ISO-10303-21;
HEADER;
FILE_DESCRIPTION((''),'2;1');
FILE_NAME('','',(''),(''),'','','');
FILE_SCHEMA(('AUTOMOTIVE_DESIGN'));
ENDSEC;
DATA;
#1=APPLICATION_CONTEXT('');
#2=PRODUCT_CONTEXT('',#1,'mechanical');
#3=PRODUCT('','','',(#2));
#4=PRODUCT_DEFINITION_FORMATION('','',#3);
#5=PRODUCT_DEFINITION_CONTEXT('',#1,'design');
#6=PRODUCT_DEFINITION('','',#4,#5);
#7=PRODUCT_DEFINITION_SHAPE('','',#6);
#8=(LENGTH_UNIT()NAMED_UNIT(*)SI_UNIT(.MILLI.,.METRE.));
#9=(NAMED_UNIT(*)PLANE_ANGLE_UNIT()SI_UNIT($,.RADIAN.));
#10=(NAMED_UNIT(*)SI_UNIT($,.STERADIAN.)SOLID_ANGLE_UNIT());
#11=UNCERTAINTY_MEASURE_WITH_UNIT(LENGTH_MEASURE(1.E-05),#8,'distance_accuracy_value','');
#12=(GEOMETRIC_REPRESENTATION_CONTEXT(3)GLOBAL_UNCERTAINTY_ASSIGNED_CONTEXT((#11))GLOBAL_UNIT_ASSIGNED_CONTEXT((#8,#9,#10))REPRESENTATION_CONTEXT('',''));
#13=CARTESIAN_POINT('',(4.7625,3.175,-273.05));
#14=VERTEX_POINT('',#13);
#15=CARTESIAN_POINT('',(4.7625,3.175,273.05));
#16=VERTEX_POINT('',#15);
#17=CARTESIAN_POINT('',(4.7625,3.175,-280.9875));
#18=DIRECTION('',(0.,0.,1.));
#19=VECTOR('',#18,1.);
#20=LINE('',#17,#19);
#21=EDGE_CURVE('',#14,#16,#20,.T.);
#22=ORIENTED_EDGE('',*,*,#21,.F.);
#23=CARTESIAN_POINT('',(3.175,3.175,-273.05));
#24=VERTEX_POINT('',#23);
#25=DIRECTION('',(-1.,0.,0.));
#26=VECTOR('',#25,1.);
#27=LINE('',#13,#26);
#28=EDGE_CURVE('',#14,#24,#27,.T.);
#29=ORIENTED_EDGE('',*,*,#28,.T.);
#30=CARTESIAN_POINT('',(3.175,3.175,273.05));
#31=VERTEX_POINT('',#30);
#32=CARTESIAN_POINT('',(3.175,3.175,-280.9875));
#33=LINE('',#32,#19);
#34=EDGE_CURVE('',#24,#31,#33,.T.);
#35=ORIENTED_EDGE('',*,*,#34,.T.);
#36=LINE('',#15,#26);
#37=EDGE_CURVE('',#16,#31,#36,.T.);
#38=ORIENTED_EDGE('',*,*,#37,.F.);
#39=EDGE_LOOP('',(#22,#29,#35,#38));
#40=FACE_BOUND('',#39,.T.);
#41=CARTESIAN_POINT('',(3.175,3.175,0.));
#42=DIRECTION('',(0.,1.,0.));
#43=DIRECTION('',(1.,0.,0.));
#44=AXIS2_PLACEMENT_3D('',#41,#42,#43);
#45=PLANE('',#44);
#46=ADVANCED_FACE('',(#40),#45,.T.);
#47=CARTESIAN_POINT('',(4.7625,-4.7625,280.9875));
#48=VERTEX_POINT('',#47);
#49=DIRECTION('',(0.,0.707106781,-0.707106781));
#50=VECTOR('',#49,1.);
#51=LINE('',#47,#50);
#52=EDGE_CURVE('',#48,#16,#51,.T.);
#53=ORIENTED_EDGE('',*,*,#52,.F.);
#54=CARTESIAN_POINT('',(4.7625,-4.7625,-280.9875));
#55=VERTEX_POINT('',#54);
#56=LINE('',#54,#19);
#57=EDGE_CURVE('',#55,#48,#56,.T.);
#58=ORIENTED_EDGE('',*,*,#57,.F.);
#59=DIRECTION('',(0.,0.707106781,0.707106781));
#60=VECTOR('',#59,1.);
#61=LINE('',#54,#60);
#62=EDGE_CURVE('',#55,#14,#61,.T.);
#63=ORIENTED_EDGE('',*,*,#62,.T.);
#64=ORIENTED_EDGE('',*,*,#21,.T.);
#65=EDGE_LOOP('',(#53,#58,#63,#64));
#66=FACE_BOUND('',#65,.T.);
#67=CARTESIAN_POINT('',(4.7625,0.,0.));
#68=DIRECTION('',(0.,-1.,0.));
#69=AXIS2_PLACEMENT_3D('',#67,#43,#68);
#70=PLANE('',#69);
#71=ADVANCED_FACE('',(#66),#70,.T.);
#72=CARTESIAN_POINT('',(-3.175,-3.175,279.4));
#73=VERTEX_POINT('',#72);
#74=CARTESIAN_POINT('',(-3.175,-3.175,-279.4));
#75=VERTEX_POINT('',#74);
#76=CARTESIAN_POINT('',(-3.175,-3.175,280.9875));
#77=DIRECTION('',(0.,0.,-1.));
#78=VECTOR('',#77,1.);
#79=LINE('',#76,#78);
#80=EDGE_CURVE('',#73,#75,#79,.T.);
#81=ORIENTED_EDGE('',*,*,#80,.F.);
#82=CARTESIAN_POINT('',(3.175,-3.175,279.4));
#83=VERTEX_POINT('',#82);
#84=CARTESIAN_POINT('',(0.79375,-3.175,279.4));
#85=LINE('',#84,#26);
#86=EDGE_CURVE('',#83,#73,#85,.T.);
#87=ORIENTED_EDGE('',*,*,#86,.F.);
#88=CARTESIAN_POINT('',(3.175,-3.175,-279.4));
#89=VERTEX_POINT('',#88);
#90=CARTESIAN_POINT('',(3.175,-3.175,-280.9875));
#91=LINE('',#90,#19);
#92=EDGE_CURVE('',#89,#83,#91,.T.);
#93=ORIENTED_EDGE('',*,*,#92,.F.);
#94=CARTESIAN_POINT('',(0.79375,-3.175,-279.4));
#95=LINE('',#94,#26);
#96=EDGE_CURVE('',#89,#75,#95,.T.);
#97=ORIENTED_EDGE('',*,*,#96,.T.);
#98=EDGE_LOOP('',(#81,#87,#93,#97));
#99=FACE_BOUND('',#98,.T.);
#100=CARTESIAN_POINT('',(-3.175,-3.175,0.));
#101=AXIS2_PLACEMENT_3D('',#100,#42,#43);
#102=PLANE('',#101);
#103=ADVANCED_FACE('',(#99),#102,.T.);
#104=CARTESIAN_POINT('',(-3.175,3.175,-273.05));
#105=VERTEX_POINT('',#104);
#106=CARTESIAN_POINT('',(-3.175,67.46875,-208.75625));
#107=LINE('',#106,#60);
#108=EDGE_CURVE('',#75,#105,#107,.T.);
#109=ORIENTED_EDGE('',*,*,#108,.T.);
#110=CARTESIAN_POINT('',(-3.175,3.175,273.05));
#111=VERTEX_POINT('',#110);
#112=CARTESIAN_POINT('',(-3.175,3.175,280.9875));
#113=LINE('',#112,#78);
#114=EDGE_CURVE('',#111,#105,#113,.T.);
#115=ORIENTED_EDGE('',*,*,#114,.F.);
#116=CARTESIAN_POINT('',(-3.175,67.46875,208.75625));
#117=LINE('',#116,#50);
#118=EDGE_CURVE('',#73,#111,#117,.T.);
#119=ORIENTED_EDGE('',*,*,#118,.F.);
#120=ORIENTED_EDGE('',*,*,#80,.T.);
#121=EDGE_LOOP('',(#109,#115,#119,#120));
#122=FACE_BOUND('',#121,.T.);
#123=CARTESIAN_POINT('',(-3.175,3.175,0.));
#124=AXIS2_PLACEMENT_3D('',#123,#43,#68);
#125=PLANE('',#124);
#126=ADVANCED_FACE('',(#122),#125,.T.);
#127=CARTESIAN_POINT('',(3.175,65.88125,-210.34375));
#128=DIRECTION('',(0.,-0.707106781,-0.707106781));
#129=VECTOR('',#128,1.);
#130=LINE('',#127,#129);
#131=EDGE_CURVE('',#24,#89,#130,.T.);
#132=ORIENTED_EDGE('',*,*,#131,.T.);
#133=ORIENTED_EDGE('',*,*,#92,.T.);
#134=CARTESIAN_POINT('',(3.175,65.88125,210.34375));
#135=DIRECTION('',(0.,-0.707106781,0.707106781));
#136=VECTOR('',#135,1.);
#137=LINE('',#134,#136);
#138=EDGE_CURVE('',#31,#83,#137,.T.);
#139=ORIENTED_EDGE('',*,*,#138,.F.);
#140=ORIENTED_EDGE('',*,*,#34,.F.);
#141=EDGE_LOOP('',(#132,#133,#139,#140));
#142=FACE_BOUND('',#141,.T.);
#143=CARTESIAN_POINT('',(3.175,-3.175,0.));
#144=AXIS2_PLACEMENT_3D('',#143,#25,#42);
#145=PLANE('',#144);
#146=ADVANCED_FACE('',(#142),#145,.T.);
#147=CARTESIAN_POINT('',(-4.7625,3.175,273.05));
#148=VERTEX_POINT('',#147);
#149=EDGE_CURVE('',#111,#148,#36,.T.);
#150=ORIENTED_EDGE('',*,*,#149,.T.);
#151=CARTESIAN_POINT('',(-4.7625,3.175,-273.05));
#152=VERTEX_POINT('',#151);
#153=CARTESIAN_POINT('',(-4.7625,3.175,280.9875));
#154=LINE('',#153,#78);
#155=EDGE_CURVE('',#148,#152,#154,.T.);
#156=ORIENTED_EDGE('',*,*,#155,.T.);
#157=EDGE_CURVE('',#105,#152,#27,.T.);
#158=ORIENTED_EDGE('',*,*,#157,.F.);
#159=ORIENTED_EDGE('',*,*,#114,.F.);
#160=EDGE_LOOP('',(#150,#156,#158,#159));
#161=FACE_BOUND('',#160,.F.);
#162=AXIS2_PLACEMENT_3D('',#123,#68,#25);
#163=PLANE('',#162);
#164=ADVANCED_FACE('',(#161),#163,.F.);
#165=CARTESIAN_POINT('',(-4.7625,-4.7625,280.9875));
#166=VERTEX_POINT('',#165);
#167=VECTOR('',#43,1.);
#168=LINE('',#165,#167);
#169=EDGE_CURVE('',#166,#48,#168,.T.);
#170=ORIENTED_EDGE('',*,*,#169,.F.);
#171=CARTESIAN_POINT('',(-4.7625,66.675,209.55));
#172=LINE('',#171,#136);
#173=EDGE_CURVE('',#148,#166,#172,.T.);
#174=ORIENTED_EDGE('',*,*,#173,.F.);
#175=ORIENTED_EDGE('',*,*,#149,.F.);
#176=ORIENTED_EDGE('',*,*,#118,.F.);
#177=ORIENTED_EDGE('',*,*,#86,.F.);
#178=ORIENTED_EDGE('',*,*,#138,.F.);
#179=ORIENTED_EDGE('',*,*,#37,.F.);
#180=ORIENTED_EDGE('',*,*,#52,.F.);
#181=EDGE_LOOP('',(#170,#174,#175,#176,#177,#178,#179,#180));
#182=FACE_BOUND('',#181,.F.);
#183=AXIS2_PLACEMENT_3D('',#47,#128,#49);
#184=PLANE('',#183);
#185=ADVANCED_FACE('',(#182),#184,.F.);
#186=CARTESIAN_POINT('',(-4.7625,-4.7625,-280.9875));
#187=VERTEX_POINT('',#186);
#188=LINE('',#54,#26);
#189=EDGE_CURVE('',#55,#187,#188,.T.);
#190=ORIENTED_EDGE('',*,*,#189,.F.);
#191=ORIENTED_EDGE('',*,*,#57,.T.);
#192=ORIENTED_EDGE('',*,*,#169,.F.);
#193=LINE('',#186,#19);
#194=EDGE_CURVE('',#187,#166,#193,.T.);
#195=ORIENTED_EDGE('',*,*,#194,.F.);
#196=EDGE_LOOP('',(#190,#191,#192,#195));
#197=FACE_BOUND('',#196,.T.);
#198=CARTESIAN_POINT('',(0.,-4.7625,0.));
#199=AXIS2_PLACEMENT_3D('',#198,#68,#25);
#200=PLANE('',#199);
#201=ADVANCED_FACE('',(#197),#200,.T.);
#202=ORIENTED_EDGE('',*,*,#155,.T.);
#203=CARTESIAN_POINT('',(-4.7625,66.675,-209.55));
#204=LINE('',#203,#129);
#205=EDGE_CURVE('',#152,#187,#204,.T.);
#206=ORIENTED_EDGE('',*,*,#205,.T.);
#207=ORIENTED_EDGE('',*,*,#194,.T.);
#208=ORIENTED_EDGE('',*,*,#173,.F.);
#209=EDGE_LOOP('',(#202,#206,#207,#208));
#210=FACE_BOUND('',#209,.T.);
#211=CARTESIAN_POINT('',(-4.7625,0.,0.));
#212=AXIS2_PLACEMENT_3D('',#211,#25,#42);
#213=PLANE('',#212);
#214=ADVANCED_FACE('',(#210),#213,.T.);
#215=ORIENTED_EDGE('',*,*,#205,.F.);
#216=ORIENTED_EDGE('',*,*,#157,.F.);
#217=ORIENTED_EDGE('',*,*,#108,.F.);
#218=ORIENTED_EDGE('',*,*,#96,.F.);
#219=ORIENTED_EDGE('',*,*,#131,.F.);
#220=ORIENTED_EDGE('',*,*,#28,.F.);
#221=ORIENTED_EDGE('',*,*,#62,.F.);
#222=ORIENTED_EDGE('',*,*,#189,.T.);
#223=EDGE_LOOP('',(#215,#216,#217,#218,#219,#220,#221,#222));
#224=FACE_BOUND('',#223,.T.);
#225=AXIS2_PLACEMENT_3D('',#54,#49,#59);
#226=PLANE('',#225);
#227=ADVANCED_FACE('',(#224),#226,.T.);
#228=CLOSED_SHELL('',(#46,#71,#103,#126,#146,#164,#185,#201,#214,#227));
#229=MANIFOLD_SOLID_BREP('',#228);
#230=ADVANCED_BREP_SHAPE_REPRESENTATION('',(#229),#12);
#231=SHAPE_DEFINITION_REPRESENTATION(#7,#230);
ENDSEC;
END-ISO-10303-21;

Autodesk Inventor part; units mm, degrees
ref_plane "YZ Plane" through (0, 0, 0) normal (1, 0, 0) x (0, 1, 0)
ref_plane "XZ Plane" through (0, 0, 0) normal (0, 1, 0) x (-1, 0, 0)
ref_plane "XY Plane" through (0, 0, 0) normal (0, 0, 1) x (1, 0, 0)
sketch "Sketch1" plane through (0, 0, 0) normal (0, 0, 1) x (1, 0, 0)
  line L0 (-6.6675, 0) -> (6.6675, 0) projected
  line L1 (0, -6.35) -> (0, 4.7625) projected
  line L2 (-3.175, 3.175) -> (-3.175, -3.175)
  line L3 (-3.175, -3.175) -> (3.175, -3.175)
  line L4 (3.175, -3.175) -> (3.175, 3.175)
  line L5 (4.7625, 3.175) -> (4.7625, -4.7625)
  line L6 (4.7625, -4.7625) -> (-4.7625, -4.7625)
  line L7 (-4.7625, -4.7625) -> (-4.7625, 3.175)
  line L8 (-3.175, 3.175) -> (-4.7625, 3.175)
  line L9 (3.175, 3.175) -> (4.7625, 3.175)
  point P0 (0, 0)
  point P1 (0, -3.175)
  point P2 (-3.175, 0)
  dimension "d0" = 1.5875
  dimension "d1" = 6.35
  dimension "d2" = 6.35
extrude "Extrusion1" add sketch "Sketch1" along normal mid plane 561.975 contours L7 L8 L2 L0 | L0 L2 L3 L1 L6 L7 | L1 L3 L4 L0 L5 L6 | L4 L9 L5 L0
sketch "Sketch2" plane through (4.7625, -4.7625, 280.9875) normal (1, 0, 0) x (0, 0, -1)
  line L0 (0, 7.9375) -> (0, 0) projected
  line L1 (0, 0) -> (561.975, 0) projected
  line L2 (0, 7.9375) -> (561.975, 7.9375) projected
  line L3 (0, 0) -> (7.9375, 7.9375)
  line L4 (7.9375, 7.9375) -> (0, 7.9375)
  line L5 (0, 7.9375) -> (0, 0)
  line L6 (280.9875, 7.9375) -> (280.9875, 0) construction
  line L7 (561.975, 7.9375) -> (561.975, 0)
  line L8 (561.975, 0) -> (554.0375, 7.9375)
  line L9 (561.975, 7.9375) -> (554.0375, 7.9375)
  line L10 (7.9375, 7.9375) -> (0, 7.9375)
  point P0 (280.9875, 4.7625)
  dimension "d5" = 45
extrude "Extrusion2" cut sketch "Sketch2" against normal through all contours L2 L3 L0 | L8 L2 L7
properties part number "c-channel template" material "Aluminum-6061"
